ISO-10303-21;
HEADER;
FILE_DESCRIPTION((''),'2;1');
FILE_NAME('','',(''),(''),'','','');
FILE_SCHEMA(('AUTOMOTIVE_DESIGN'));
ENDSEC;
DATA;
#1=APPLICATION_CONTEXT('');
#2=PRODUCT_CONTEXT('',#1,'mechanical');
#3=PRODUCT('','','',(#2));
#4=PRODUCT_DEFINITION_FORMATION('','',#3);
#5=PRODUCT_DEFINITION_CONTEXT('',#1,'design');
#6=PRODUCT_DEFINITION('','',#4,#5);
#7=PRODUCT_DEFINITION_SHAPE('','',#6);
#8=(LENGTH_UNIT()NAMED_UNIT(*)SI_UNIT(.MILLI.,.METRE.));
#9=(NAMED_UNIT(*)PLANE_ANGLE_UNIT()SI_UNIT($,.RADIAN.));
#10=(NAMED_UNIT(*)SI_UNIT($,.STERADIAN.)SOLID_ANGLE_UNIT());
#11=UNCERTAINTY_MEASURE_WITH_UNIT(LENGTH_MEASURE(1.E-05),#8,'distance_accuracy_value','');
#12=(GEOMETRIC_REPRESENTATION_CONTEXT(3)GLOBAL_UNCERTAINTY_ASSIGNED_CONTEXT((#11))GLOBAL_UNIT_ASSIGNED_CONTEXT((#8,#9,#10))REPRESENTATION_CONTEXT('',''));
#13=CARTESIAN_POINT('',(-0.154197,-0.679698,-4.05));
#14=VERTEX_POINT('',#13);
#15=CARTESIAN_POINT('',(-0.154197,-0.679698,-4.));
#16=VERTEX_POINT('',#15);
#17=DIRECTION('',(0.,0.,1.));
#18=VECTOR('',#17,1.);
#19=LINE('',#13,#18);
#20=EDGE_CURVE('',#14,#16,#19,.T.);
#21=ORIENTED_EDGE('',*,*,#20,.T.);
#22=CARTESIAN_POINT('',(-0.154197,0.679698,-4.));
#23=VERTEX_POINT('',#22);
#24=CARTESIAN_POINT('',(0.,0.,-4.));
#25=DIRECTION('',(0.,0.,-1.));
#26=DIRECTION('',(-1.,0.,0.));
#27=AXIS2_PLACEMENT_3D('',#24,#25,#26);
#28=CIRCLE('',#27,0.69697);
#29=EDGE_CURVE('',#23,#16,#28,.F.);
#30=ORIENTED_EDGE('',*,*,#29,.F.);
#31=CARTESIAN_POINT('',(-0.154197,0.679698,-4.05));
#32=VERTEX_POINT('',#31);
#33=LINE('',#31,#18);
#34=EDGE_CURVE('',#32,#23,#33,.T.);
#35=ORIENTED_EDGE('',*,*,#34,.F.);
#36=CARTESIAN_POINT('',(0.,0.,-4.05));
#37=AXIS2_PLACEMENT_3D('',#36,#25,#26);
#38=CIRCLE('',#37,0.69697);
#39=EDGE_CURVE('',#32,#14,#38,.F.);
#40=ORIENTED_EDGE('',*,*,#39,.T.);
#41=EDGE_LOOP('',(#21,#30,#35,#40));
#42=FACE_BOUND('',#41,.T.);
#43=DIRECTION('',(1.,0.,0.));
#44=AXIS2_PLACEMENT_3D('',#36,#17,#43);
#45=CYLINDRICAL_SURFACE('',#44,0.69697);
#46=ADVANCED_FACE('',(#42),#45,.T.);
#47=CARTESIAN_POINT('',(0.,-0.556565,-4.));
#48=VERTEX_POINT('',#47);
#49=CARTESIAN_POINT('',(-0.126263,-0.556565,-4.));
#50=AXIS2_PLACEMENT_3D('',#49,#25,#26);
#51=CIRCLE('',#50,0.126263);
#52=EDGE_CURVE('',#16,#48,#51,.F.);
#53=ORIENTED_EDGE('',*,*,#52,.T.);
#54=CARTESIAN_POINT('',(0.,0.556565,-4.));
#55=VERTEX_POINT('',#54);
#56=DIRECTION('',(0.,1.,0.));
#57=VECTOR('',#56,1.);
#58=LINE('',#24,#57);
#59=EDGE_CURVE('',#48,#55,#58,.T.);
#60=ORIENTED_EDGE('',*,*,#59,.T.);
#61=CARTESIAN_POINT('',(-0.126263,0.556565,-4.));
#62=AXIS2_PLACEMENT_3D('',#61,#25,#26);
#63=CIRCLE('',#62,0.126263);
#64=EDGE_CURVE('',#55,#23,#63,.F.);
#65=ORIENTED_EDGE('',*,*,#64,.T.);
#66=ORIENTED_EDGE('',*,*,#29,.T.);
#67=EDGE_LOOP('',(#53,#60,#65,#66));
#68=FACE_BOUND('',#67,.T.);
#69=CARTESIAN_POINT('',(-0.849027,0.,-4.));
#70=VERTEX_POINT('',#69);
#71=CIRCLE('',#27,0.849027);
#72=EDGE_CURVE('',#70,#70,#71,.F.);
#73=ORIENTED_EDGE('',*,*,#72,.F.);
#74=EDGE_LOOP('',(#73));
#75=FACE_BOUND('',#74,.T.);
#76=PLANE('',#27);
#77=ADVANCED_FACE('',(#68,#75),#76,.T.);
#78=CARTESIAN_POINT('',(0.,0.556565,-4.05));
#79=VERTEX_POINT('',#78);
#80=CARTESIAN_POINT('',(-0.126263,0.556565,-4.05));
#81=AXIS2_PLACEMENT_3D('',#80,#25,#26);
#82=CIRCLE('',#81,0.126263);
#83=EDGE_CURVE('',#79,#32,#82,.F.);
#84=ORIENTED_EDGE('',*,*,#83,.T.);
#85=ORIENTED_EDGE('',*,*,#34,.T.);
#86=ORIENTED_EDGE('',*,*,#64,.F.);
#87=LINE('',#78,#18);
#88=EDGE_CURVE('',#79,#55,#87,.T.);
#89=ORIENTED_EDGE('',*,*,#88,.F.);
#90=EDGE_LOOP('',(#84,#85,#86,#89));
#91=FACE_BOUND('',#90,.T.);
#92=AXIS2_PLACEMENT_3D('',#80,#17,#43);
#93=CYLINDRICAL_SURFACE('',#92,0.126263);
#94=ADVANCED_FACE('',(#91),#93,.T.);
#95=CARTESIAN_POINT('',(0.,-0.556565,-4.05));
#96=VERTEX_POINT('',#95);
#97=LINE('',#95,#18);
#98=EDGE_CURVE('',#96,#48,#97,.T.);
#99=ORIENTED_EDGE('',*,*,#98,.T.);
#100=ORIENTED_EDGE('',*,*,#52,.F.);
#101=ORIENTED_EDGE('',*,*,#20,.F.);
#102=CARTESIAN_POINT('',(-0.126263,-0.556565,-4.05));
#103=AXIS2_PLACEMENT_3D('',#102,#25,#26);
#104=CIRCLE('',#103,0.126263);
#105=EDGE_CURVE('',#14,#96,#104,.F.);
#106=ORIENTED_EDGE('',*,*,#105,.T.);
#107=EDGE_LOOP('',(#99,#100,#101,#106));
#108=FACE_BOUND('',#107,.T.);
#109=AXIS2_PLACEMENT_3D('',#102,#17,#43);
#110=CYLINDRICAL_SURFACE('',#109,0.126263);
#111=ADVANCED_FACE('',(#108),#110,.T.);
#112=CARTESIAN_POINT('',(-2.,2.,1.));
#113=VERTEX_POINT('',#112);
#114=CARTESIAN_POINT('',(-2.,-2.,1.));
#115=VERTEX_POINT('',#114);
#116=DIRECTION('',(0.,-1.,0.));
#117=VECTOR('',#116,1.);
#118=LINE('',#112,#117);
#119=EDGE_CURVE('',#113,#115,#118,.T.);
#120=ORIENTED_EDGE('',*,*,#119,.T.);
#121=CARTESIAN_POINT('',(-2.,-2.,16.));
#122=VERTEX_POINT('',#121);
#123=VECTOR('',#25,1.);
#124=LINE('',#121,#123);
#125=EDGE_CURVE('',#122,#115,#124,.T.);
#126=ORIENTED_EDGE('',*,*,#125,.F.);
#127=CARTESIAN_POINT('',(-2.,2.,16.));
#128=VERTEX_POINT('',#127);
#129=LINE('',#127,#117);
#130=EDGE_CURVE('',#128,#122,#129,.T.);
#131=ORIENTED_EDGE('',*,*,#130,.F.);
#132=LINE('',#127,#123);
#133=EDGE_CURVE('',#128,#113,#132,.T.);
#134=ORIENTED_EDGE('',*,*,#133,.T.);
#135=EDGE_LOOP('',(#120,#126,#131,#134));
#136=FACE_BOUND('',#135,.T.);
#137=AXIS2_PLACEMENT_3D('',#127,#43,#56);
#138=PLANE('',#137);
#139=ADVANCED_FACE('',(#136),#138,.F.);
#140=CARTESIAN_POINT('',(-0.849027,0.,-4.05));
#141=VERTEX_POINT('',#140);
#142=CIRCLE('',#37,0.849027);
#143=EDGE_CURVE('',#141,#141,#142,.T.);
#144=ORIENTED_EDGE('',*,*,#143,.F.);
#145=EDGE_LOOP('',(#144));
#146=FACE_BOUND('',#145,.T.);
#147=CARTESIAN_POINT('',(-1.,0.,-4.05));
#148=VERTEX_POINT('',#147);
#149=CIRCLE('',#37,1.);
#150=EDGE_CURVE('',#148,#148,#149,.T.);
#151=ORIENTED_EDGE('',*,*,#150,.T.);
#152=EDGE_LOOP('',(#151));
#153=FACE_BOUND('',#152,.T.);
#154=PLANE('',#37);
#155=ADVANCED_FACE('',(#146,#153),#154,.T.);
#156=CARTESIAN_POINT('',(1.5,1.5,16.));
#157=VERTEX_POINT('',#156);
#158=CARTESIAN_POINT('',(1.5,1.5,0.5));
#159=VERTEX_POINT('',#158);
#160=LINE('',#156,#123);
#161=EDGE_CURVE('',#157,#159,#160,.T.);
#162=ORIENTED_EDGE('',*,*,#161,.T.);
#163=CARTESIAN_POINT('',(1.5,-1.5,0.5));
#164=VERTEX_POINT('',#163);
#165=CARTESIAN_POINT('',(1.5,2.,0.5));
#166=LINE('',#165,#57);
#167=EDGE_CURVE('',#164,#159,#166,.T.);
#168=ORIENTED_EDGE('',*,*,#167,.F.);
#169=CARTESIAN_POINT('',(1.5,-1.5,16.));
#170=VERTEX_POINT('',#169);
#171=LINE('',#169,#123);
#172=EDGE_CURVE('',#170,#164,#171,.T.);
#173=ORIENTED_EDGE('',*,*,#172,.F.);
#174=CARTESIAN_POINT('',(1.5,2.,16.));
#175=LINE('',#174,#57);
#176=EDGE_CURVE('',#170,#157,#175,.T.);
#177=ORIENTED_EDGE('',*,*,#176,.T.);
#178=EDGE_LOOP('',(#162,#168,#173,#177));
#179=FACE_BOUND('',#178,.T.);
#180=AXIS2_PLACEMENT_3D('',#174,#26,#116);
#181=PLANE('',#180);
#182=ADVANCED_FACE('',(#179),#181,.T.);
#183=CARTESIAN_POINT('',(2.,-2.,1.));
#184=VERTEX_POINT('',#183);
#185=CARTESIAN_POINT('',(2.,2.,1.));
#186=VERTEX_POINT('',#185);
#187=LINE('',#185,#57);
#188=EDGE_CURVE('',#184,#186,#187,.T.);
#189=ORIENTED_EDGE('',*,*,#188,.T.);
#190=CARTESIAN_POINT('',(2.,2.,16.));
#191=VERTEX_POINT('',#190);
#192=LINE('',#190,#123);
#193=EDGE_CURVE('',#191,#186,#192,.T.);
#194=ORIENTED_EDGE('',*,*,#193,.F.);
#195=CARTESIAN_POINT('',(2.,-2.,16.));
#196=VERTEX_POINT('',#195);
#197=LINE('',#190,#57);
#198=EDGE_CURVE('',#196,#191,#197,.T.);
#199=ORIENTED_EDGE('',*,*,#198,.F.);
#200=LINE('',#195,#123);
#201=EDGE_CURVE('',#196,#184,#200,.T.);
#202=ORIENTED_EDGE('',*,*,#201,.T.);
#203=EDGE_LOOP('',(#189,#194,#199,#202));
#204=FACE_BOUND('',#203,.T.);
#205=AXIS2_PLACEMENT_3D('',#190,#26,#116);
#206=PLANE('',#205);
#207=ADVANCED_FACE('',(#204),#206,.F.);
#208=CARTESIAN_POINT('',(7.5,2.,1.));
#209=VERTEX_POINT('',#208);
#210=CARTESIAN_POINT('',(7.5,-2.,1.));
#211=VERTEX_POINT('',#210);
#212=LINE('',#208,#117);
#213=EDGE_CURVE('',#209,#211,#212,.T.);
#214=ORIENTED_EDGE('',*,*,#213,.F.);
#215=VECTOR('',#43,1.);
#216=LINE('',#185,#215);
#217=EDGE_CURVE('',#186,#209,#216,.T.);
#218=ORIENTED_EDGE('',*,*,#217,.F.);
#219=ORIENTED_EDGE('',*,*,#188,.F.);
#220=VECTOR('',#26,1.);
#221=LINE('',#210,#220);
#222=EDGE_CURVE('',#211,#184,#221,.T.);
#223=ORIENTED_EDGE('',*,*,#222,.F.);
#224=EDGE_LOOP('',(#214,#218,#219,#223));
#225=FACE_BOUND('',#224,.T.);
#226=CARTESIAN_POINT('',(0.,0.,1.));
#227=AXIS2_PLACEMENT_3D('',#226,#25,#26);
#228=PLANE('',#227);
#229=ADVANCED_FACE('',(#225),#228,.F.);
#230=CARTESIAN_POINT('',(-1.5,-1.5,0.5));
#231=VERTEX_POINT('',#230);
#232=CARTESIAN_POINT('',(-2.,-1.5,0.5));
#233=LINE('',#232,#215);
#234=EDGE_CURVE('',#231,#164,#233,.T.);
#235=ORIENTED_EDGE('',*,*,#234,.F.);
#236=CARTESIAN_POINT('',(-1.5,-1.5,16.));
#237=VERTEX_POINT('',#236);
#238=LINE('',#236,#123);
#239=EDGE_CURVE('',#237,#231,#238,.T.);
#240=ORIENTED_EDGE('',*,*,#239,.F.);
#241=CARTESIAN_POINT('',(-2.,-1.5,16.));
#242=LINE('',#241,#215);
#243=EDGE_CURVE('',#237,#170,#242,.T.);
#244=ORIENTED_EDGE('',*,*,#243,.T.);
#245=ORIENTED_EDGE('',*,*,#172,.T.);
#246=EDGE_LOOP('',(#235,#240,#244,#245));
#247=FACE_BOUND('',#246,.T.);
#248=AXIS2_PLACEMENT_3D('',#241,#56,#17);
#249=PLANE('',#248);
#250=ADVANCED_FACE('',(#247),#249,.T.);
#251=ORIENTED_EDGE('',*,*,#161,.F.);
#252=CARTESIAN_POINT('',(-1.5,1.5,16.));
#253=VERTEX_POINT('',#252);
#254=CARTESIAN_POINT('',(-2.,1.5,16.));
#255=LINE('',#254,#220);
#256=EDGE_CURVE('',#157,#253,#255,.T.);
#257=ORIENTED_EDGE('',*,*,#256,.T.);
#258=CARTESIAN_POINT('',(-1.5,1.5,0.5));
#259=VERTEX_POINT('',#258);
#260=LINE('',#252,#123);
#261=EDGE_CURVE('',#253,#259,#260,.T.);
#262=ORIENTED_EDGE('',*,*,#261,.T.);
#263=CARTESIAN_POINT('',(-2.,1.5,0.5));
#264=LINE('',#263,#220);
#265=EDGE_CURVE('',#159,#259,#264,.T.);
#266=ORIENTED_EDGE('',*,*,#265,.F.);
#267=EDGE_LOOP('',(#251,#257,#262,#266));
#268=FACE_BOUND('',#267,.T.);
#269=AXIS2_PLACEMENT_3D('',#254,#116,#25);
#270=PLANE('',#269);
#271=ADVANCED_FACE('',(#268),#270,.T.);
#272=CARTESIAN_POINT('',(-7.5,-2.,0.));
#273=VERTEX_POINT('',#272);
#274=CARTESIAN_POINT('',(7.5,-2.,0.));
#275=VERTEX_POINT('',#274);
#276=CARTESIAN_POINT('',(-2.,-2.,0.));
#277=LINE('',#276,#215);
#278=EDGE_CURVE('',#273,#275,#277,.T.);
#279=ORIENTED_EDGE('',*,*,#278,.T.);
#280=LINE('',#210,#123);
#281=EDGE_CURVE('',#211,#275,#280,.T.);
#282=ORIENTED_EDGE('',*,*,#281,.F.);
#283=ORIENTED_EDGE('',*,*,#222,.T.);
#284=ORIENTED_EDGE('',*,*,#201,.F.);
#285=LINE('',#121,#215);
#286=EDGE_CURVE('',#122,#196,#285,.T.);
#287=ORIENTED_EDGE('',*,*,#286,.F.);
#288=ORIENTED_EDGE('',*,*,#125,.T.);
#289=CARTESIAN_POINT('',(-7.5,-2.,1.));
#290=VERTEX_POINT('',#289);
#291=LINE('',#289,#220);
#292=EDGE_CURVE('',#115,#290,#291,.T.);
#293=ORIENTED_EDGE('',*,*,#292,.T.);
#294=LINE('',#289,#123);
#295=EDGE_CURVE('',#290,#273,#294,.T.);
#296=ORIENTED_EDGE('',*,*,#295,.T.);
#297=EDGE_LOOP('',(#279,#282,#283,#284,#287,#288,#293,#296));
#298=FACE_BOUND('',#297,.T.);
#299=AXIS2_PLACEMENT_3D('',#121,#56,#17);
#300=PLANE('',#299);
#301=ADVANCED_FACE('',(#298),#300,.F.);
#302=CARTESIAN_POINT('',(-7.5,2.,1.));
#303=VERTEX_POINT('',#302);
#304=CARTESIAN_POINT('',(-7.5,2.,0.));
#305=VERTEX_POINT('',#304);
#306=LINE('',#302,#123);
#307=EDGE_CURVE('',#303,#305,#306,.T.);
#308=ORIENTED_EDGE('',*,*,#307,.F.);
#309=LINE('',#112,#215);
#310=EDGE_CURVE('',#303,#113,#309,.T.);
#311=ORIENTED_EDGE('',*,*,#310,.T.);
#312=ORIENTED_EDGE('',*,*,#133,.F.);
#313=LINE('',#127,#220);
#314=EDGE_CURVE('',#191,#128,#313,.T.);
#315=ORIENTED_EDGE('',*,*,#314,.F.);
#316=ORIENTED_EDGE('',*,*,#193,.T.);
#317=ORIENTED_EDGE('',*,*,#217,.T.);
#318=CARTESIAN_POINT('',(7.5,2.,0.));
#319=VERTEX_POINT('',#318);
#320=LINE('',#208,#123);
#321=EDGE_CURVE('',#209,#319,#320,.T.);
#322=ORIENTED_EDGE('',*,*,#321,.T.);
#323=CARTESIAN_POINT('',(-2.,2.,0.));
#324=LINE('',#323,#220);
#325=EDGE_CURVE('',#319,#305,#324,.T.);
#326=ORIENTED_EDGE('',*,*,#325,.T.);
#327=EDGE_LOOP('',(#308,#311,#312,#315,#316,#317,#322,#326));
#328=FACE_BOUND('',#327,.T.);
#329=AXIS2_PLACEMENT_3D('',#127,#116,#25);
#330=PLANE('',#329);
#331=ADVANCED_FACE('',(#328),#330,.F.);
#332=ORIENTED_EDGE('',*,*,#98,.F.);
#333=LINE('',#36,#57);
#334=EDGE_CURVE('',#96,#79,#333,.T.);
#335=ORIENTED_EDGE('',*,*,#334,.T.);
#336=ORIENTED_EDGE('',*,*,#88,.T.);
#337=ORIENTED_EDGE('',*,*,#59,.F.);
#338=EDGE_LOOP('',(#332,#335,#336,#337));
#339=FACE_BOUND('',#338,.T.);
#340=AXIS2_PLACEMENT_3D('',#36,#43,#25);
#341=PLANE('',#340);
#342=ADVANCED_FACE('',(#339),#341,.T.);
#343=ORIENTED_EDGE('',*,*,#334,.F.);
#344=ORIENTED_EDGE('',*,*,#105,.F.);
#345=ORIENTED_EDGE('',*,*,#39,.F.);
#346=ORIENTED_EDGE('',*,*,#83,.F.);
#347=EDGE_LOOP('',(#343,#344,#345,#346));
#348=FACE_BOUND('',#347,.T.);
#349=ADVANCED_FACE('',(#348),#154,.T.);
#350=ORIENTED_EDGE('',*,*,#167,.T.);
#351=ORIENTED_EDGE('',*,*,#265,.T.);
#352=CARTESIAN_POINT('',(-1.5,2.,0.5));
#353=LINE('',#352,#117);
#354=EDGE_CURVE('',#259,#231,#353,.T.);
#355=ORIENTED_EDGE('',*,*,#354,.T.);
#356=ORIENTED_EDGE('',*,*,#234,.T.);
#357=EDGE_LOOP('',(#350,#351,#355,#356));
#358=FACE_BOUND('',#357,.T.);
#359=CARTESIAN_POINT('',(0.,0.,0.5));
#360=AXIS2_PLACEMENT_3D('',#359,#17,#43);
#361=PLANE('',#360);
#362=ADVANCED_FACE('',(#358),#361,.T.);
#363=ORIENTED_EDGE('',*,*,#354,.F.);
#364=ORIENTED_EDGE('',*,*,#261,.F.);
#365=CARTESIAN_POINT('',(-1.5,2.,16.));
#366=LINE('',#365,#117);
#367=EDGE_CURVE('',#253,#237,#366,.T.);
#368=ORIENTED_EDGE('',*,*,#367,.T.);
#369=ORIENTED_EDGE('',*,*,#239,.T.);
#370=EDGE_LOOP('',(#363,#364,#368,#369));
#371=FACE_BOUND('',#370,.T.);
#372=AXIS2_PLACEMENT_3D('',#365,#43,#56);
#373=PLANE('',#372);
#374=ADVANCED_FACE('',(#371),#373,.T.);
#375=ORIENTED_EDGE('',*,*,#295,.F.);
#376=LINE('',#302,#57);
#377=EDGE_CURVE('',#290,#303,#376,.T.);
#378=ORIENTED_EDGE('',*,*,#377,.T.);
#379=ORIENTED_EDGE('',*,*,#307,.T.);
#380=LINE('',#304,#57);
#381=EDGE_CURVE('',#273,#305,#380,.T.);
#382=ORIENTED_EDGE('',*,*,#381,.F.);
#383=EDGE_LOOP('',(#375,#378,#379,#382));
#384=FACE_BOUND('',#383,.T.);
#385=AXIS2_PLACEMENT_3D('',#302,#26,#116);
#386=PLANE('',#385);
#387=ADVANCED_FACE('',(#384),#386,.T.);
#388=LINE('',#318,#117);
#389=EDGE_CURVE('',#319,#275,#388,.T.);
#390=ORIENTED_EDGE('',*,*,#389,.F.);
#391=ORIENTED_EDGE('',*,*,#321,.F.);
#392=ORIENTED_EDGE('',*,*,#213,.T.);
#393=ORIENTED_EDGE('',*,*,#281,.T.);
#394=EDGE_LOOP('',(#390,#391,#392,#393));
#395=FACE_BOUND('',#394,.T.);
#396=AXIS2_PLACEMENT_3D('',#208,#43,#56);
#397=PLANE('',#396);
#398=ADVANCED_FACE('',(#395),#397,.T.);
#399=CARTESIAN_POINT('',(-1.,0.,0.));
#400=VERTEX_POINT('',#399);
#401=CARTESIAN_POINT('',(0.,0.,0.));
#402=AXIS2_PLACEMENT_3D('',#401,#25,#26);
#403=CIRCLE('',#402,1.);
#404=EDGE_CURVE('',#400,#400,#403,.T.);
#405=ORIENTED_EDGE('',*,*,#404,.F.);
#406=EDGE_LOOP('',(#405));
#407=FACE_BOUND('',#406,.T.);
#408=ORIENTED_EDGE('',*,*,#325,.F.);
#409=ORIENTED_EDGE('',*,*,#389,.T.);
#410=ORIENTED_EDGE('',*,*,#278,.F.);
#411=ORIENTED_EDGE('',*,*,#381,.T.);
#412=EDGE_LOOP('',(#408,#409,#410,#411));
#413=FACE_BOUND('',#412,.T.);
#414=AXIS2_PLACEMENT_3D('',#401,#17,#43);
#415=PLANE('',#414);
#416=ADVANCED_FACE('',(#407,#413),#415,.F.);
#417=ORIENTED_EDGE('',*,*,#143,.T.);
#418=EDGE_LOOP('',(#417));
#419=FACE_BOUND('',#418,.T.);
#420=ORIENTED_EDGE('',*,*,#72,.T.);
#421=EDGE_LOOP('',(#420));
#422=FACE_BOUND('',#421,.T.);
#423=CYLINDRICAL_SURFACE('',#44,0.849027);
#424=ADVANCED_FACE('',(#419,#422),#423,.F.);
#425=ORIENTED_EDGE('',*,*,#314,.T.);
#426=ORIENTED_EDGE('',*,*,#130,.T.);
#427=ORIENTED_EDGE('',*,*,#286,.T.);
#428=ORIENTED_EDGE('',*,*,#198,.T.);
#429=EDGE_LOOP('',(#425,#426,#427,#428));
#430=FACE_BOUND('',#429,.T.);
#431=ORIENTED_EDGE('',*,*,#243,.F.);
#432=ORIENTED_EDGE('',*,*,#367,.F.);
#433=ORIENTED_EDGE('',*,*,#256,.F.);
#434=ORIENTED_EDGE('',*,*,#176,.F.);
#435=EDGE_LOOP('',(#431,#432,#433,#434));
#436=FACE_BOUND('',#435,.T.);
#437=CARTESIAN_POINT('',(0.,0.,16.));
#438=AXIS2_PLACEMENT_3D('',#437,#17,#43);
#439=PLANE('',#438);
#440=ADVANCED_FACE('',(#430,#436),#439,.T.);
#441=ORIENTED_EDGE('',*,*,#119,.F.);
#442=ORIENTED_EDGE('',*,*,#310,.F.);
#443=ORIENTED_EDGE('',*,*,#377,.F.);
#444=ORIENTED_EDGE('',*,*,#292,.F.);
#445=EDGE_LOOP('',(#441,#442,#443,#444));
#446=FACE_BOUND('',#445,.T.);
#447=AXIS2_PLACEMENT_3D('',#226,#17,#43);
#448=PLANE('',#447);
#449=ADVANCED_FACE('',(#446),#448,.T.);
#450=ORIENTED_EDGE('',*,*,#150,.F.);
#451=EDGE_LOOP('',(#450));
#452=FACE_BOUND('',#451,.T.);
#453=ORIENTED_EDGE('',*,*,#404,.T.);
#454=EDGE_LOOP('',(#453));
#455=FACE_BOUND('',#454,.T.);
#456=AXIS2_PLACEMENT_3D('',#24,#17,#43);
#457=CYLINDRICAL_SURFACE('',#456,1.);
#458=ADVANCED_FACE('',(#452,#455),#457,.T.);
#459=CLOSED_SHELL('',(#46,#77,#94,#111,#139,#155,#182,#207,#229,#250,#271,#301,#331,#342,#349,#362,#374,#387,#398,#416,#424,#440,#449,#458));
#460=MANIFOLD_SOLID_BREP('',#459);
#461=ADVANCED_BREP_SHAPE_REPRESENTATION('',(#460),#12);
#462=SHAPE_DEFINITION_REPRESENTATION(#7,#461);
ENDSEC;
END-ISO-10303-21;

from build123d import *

# Parameters (mm, degrees)
SKETCH_8_W      = 4
SKETCH_8_H      = 4
EXTRUDE_5_DEPTH = 16
SHELL_2_T       = -0.5
SKETCH_9_R      = 1
EXTRUDE_6_DEPTH = 4
SKETCH_10_R     = 1
SKETCH_10_R_2   = 0.849026748
EXTRUDE_7_DEPTH = 0.05
SKETCH_11_W     = 5.5
SKETCH_11_H     = 4
EXTRUDE_8_DEPTH = 1


with BuildPart() as part:
    # Эскиз8 → Бобышка-Вытянуть5 (new body)
    with BuildSketch(Plane.XY):
        Rectangle(SKETCH_8_W, SKETCH_8_H)
    extrude(amount=EXTRUDE_5_DEPTH)

    # Оболочка2
    shell_2_openings = [part.faces().sort_by_distance(p)[0] for p in [
        (0, 0, 16),
    ]]
    offset(amount=SHELL_2_T, openings=shell_2_openings, kind=Kind.INTERSECTION)

    # Эскиз9 → Бобышка-Вытянуть6 (add)
    with BuildSketch(Plane(origin=(0, 0, 0), x_dir=(-1, 0, 0), z_dir=(0, 0, -1))):
        Circle(SKETCH_9_R)
    extrude(amount=EXTRUDE_6_DEPTH)

    # Эскиз10 → Бобышка-Вытянуть7 (add)
    # profile 1 of 2: a face of its own
    with BuildSketch(Plane(origin=(0, 0, -4), x_dir=(-1, 0, 0), z_dir=(0, 0, -1))):
        Circle(SKETCH_10_R)
        Circle(SKETCH_10_R_2, mode=Mode.SUBTRACT)
    # profile 2 of 2: a face of its own
    with BuildSketch(Plane(origin=(0, 0, -4), x_dir=(-1, 0, 0), z_dir=(0, 0, -1))):
        with BuildLine():
            ThreePointArc((0, 0.556564641), (0.047474291, 0.655228966), (0.15419684, 0.679698432))
            ThreePointArc((0.15419684, 0.679698432), (0.6969696, 0), (0.15419684, -0.679698432))
            ThreePointArc((0.15419684, -0.679698432), (0.047474291, -0.655228966), (0, -0.556564641))
            Line((0, -0.556564641), (0, 0.556564641))
        make_face()
    extrude(amount=EXTRUDE_7_DEPTH)

    # Эскиз11 → Бобышка-Вытянуть8 (add)
    with BuildSketch(Plane(origin=(0, 0, 0), x_dir=(-1, 0, 0), z_dir=(0, 0, -1))):
        with Locations((-4.75, 0)):
            Rectangle(SKETCH_11_W, SKETCH_11_H)
        with Locations((4.75, 0)):
            Rectangle(SKETCH_11_W, SKETCH_11_H)
    extrude(amount=-EXTRUDE_8_DEPTH)


solid = part.part
